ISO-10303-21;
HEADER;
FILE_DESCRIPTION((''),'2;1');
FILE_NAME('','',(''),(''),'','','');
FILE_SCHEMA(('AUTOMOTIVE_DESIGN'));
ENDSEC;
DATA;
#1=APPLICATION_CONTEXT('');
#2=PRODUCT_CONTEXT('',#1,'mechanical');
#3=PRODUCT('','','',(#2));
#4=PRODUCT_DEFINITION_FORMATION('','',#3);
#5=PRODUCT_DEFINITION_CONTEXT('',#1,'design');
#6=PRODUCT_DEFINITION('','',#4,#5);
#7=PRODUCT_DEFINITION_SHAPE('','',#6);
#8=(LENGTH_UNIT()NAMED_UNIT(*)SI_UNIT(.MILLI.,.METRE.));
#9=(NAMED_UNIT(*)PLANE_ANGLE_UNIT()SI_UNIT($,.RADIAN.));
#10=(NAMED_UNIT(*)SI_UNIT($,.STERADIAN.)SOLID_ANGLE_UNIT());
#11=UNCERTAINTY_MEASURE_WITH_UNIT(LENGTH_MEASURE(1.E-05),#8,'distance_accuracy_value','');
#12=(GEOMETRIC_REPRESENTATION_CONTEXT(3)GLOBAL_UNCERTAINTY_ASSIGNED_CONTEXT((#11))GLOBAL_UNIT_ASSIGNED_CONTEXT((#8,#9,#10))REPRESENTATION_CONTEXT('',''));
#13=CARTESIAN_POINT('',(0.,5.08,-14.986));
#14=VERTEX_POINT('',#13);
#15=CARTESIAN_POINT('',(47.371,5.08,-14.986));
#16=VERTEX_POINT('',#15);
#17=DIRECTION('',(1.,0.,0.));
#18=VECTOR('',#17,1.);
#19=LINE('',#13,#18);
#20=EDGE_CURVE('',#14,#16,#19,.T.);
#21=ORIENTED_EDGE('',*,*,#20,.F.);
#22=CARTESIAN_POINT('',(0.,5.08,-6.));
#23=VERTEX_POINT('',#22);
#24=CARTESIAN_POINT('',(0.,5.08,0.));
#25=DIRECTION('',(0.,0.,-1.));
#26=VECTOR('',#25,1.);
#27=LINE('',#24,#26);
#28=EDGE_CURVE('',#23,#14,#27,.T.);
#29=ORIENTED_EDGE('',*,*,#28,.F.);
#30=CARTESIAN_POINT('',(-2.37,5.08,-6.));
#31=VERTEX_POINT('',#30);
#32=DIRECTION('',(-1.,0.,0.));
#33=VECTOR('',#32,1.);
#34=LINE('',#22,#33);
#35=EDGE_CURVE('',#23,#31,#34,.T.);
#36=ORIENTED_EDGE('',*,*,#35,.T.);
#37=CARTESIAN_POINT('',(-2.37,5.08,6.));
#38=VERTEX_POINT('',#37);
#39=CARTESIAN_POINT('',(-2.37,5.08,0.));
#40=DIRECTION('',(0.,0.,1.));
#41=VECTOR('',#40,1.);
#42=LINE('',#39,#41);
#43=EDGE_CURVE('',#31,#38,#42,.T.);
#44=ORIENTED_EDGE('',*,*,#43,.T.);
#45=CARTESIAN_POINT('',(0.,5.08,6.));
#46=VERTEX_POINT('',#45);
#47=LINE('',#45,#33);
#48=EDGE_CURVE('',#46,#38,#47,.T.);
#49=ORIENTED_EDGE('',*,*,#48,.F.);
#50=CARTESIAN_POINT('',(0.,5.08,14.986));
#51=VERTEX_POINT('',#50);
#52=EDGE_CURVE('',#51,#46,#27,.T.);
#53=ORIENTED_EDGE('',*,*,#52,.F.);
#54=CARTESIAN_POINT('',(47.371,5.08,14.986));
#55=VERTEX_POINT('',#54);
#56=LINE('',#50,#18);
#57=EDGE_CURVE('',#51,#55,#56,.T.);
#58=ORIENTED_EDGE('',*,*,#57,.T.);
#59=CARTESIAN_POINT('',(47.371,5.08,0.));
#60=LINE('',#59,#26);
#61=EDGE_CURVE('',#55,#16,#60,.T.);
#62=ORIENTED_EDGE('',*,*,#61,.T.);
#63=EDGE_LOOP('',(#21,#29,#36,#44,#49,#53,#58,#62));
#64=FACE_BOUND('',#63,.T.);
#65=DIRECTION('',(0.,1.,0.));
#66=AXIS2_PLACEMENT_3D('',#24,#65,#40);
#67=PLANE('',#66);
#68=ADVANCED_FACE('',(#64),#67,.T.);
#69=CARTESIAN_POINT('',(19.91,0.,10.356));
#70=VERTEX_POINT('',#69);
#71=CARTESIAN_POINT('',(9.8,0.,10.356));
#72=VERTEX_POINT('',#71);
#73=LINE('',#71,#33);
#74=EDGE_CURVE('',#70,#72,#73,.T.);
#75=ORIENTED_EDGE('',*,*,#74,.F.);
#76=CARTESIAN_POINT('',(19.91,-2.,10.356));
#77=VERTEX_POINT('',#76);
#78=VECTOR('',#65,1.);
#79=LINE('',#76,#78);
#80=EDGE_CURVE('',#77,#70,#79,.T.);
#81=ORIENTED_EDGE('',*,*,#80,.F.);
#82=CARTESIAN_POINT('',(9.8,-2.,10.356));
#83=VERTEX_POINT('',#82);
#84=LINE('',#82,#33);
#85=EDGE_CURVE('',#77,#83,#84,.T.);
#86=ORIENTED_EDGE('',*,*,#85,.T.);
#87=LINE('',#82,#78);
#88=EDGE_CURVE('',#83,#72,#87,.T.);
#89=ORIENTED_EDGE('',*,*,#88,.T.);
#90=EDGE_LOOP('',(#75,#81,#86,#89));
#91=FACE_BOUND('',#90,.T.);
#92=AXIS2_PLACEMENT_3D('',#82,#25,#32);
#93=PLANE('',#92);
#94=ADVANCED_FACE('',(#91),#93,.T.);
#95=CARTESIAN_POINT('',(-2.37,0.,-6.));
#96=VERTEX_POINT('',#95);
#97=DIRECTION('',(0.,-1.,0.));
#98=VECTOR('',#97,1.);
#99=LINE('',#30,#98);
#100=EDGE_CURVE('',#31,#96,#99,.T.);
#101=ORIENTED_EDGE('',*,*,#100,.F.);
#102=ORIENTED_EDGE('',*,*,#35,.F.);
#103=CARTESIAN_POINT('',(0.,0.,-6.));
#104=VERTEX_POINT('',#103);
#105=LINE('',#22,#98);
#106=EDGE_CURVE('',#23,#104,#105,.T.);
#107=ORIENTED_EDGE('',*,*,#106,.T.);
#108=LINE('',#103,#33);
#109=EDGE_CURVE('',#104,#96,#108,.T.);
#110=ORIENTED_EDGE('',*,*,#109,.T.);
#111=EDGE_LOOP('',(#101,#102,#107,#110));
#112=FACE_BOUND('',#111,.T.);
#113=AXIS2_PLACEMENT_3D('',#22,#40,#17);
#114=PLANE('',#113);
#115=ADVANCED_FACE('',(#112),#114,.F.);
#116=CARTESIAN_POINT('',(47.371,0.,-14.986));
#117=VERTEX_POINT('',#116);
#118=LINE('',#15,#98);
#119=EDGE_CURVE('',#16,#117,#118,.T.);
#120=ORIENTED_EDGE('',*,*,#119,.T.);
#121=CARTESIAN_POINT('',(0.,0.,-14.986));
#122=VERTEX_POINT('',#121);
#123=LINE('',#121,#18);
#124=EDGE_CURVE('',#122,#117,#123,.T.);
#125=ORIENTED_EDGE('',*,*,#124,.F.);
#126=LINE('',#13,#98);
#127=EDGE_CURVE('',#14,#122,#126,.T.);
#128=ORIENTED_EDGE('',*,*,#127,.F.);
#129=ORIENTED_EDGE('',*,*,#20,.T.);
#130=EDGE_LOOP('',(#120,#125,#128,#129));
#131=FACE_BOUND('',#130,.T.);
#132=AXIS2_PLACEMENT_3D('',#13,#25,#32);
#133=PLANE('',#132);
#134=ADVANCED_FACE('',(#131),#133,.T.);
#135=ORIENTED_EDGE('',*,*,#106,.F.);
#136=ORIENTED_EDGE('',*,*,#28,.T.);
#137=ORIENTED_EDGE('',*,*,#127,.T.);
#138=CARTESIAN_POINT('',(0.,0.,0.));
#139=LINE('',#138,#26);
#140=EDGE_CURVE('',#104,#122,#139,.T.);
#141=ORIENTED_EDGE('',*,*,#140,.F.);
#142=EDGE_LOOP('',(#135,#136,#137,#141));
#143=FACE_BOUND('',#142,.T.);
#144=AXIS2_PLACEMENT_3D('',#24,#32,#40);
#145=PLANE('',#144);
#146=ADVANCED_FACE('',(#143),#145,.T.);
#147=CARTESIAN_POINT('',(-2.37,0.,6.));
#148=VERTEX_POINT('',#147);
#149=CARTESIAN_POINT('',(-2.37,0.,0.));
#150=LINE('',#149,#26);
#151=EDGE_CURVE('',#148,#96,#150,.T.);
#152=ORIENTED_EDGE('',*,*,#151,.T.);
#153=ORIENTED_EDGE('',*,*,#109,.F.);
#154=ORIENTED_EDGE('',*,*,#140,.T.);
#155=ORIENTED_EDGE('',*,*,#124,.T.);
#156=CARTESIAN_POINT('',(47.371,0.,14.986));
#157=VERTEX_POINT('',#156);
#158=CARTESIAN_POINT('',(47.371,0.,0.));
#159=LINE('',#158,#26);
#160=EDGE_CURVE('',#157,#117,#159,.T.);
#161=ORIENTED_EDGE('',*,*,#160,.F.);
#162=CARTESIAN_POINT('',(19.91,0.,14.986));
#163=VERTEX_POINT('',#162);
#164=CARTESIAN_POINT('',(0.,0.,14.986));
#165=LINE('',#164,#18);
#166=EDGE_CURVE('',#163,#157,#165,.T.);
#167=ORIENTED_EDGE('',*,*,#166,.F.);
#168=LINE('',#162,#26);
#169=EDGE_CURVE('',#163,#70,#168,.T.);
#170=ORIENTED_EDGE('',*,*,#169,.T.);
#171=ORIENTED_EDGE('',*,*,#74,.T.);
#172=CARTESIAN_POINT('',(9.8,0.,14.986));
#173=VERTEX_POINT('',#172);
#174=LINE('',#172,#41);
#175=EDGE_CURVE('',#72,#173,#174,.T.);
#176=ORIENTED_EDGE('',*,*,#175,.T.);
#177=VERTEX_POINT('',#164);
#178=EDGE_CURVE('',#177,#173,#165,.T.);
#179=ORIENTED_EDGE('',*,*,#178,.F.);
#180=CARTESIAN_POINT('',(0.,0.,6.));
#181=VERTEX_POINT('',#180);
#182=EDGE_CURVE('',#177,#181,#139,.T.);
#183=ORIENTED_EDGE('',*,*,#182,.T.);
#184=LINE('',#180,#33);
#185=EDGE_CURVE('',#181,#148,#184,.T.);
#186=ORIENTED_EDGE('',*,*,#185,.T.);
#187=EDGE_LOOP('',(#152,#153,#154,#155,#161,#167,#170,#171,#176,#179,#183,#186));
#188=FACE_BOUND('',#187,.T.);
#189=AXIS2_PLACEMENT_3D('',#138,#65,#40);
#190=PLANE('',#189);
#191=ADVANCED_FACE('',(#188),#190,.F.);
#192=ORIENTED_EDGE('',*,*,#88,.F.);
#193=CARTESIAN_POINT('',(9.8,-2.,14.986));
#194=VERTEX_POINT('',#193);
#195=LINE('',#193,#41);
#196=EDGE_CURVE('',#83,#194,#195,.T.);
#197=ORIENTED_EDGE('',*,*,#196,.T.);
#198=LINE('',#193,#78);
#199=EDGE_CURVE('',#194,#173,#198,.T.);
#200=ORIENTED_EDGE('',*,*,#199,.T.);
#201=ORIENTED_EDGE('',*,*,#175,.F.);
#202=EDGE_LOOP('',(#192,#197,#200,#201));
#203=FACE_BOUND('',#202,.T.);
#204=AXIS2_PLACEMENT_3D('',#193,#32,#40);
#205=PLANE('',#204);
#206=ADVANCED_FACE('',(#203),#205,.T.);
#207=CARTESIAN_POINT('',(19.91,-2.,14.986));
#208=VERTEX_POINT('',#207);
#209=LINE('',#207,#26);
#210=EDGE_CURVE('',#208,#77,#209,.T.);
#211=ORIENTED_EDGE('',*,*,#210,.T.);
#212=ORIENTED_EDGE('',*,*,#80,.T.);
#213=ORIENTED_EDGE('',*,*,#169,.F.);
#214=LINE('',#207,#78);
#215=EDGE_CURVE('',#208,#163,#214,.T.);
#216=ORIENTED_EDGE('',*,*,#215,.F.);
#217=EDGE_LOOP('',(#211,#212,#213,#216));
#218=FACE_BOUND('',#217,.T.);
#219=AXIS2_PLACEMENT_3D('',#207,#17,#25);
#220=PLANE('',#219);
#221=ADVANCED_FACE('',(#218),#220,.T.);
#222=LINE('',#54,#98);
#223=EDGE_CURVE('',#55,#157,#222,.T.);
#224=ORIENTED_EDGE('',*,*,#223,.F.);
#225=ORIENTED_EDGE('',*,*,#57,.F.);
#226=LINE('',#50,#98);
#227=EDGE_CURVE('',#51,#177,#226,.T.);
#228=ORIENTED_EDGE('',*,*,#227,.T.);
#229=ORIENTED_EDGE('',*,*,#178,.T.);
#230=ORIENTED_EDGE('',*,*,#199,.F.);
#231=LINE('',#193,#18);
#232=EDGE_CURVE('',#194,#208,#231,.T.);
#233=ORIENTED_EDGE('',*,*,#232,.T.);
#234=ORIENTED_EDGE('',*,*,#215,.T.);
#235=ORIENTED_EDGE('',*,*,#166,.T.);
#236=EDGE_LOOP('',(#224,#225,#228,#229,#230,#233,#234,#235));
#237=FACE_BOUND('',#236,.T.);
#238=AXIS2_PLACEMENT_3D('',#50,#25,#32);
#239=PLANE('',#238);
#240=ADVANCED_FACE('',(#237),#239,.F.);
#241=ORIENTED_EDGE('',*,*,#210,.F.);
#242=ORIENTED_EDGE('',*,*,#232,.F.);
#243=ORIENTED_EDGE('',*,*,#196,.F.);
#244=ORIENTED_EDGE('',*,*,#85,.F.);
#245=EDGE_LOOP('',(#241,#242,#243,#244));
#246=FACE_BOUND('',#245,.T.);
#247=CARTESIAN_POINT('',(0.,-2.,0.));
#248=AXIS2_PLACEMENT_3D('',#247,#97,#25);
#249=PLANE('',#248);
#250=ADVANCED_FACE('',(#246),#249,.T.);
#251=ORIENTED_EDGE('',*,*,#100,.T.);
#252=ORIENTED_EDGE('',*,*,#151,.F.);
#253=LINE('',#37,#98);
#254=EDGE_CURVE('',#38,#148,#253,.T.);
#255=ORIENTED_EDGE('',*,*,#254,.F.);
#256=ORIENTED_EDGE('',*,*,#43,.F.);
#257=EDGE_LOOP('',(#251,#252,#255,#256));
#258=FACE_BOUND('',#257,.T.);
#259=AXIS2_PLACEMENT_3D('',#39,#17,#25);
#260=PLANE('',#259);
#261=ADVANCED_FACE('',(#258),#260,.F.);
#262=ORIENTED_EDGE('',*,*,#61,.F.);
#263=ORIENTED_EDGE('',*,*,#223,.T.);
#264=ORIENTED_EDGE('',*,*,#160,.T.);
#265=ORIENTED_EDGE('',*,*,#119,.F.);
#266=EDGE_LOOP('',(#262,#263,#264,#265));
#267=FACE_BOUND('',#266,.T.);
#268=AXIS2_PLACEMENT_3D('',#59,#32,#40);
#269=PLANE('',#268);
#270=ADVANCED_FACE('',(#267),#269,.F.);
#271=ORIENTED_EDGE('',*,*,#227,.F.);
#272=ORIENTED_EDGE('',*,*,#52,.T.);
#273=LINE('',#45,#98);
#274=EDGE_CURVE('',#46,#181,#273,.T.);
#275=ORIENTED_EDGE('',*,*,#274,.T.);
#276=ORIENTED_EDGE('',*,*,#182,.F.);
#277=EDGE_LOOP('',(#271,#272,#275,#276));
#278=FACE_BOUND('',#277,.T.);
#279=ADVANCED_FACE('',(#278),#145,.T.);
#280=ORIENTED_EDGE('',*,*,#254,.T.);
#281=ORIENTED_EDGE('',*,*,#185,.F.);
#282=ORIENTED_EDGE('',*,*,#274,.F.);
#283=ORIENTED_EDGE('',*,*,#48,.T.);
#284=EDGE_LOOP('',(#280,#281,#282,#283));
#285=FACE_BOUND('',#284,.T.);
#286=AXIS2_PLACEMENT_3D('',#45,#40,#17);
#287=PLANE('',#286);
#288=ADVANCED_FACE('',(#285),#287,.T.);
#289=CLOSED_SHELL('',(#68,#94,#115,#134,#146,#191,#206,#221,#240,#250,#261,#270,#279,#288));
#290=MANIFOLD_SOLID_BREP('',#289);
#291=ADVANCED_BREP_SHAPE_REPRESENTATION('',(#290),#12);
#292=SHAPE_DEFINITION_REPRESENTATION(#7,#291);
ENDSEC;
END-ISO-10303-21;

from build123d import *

# Parameters (mm, degrees)
SKETCH1_W               = 47.371
SKETCH1_H               = 29.972
SKETCH1_W_2             = 18.415
SKETCH1_H_2             = 12
BOSS_EXTRUDE1_DEPTH     = 5.08
SKETCH2_W               = 10.11
SKETCH2_H               = 4.63
BOSS_EXTRUDE2_DEPTH     = 2
SKETCH3_W               = 16.045
SKETCH3_H               = 12
CUT_EXTRUDE1_DEPTH      = 6.08
CUT_EXTRUDE1_DEPTH_BACK = 3


with BuildPart() as part:
    # Sketch1 → Boss-Extrude1 (new body)
    with BuildSketch(Plane(origin=(0, 0, 0), x_dir=(1, 0, 0), z_dir=(0, 1, 0))):
        with Locations((23.6855, 0)):
            Rectangle(SKETCH1_W, SKETCH1_H)
        with Locations((-9.2075, 0)):
            Rectangle(SKETCH1_W_2, SKETCH1_H_2)
    extrude(amount=BOSS_EXTRUDE1_DEPTH)

    # Sketch2 → Boss-Extrude2 (add)
    with BuildSketch(Plane(origin=(0, 0, 0), x_dir=(1, 0, 0), z_dir=(0, 1, 0))):
        with Locations((14.855, -12.671)):
            Rectangle(SKETCH2_W, SKETCH2_H)
    extrude(amount=-BOSS_EXTRUDE2_DEPTH)

    # Sketch3 → Cut-Extrude1 (cut, two sides)
    with BuildSketch(Plane(origin=(0, 0, 0), x_dir=(1, 0, 0), z_dir=(0, 1, 0))) as cut_extrude1_sk:
        with Locations((-10.3925, 0)):
            Rectangle(SKETCH3_W, SKETCH3_H)
    extrude(amount=CUT_EXTRUDE1_DEPTH, mode=Mode.SUBTRACT)
    extrude(cut_extrude1_sk.sketch, amount=-CUT_EXTRUDE1_DEPTH_BACK, mode=Mode.SUBTRACT)


solid = part.part
